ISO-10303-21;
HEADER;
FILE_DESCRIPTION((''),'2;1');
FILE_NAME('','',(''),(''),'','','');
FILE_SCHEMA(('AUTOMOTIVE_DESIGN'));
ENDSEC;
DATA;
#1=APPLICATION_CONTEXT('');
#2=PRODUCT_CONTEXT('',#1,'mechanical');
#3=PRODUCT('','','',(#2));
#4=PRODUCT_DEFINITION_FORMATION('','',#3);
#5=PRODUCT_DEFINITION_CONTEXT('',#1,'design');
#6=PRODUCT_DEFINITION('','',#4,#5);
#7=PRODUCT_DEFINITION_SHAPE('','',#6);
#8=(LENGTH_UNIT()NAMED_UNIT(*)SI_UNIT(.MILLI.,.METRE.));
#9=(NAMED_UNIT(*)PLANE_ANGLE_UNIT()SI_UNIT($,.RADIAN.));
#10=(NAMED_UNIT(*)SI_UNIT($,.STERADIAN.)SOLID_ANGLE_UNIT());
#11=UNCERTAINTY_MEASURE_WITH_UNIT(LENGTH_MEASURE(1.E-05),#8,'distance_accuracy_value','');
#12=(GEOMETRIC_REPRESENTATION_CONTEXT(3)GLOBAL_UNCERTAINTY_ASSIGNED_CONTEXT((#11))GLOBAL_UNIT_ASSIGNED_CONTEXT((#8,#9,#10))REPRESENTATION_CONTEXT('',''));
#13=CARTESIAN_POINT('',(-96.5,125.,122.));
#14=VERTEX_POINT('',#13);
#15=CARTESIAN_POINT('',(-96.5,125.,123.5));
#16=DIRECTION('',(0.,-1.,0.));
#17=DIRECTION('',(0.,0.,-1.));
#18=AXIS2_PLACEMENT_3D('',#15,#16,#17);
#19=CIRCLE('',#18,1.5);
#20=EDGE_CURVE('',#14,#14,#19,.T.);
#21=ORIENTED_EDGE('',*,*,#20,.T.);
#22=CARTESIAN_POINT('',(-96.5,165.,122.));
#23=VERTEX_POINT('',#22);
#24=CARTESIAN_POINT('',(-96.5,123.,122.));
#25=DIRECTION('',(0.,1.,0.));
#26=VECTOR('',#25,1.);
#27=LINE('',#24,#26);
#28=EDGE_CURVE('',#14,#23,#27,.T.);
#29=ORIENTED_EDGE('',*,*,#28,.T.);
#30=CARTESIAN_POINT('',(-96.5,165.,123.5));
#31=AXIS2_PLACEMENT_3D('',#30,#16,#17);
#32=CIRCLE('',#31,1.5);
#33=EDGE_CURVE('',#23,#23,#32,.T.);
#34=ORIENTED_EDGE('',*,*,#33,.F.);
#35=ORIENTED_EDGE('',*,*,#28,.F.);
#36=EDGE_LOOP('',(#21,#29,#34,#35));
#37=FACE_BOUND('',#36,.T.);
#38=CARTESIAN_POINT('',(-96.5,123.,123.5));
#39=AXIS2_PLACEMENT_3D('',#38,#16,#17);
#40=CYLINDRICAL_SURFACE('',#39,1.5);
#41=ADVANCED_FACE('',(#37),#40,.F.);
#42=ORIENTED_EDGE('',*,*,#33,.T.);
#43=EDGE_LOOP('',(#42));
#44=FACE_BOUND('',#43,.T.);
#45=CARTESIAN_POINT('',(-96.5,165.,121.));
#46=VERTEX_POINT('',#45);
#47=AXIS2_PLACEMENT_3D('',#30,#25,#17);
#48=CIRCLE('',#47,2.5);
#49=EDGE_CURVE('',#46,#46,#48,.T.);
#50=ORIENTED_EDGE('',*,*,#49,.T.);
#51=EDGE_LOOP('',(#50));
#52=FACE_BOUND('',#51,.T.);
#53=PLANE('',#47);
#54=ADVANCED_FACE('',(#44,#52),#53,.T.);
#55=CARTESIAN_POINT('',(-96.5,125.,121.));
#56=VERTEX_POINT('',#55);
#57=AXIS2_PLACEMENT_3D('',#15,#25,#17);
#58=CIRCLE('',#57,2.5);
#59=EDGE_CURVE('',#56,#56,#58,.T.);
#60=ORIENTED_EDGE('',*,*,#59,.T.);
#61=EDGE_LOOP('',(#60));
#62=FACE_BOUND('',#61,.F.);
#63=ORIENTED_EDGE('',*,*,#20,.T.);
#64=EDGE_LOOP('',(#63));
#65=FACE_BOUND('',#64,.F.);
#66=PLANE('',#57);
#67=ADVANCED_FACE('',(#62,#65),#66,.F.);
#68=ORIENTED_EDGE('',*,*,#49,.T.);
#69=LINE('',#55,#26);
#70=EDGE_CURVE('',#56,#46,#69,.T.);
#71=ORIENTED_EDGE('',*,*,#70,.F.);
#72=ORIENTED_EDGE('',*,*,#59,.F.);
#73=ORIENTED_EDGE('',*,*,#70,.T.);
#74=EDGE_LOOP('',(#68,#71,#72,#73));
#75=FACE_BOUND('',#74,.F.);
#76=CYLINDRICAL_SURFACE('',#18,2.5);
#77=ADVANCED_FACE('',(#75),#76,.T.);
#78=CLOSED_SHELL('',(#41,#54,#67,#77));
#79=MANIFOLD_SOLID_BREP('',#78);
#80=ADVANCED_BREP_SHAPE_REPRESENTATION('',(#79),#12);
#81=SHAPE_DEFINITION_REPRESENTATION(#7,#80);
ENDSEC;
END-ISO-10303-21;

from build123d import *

# Parameters (mm, degrees)
CYLINDER003_R           = 1.5
CYLINDER003_DEPTH       = 44
CYLINDER003_PITCH_ANGLE = 90
CYLINDER002_R           = 2.5
CYLINDER002_DEPTH       = 40
CYLINDER002_PITCH_ANGLE = 90
CUT005_PLACEMENT_ANGLE  = 90


with BuildPart() as cilindro003:
    # Cylinder003 → Cylinder003 (new body)
    with BuildSketch(Plane.XY):
        Circle(CYLINDER003_R)
    extrude(amount=CYLINDER003_DEPTH)


with BuildPart() as cilindro003_1:
    # Cylinder003 pitch: moved
    add(cilindro003.part.rotate(Axis((0, 0, 0), (0, 1, 0)), CYLINDER003_PITCH_ANGLE))


with BuildPart() as cilindro003_2:
    # Cylinder003 placement: moved
    add(cilindro003_1.part.moved(Location((-2, 0, 0))))


with BuildPart() as soporte006:
    # Cylinder002 → Cylinder002 (new body)
    with BuildSketch(Plane.XY):
        Circle(CYLINDER002_R)
    extrude(amount=CYLINDER002_DEPTH)


with BuildPart() as soporte006_1:
    # Cylinder002 pitch: moved
    add(soporte006.part.rotate(Axis((0, 0, 0), (0, 1, 0)), CYLINDER002_PITCH_ANGLE))


with BuildPart() as soporte006_2:
    # Cylinder002 placement: moved
    add(soporte006_1.part)

    # Cut005: cut Cilindro003
    add(cilindro003_2.part, mode=Mode.SUBTRACT)


with BuildPart() as soporte006_3:
    # Cut005 placement: moved
    add(soporte006_2.part.moved(Location((-96.5, 125, 123.5))).rotate(Axis((-96.5, 125, 123.5), (0, 0, 1)), CUT005_PLACEMENT_ANGLE))


solid = soporte006_3.part
